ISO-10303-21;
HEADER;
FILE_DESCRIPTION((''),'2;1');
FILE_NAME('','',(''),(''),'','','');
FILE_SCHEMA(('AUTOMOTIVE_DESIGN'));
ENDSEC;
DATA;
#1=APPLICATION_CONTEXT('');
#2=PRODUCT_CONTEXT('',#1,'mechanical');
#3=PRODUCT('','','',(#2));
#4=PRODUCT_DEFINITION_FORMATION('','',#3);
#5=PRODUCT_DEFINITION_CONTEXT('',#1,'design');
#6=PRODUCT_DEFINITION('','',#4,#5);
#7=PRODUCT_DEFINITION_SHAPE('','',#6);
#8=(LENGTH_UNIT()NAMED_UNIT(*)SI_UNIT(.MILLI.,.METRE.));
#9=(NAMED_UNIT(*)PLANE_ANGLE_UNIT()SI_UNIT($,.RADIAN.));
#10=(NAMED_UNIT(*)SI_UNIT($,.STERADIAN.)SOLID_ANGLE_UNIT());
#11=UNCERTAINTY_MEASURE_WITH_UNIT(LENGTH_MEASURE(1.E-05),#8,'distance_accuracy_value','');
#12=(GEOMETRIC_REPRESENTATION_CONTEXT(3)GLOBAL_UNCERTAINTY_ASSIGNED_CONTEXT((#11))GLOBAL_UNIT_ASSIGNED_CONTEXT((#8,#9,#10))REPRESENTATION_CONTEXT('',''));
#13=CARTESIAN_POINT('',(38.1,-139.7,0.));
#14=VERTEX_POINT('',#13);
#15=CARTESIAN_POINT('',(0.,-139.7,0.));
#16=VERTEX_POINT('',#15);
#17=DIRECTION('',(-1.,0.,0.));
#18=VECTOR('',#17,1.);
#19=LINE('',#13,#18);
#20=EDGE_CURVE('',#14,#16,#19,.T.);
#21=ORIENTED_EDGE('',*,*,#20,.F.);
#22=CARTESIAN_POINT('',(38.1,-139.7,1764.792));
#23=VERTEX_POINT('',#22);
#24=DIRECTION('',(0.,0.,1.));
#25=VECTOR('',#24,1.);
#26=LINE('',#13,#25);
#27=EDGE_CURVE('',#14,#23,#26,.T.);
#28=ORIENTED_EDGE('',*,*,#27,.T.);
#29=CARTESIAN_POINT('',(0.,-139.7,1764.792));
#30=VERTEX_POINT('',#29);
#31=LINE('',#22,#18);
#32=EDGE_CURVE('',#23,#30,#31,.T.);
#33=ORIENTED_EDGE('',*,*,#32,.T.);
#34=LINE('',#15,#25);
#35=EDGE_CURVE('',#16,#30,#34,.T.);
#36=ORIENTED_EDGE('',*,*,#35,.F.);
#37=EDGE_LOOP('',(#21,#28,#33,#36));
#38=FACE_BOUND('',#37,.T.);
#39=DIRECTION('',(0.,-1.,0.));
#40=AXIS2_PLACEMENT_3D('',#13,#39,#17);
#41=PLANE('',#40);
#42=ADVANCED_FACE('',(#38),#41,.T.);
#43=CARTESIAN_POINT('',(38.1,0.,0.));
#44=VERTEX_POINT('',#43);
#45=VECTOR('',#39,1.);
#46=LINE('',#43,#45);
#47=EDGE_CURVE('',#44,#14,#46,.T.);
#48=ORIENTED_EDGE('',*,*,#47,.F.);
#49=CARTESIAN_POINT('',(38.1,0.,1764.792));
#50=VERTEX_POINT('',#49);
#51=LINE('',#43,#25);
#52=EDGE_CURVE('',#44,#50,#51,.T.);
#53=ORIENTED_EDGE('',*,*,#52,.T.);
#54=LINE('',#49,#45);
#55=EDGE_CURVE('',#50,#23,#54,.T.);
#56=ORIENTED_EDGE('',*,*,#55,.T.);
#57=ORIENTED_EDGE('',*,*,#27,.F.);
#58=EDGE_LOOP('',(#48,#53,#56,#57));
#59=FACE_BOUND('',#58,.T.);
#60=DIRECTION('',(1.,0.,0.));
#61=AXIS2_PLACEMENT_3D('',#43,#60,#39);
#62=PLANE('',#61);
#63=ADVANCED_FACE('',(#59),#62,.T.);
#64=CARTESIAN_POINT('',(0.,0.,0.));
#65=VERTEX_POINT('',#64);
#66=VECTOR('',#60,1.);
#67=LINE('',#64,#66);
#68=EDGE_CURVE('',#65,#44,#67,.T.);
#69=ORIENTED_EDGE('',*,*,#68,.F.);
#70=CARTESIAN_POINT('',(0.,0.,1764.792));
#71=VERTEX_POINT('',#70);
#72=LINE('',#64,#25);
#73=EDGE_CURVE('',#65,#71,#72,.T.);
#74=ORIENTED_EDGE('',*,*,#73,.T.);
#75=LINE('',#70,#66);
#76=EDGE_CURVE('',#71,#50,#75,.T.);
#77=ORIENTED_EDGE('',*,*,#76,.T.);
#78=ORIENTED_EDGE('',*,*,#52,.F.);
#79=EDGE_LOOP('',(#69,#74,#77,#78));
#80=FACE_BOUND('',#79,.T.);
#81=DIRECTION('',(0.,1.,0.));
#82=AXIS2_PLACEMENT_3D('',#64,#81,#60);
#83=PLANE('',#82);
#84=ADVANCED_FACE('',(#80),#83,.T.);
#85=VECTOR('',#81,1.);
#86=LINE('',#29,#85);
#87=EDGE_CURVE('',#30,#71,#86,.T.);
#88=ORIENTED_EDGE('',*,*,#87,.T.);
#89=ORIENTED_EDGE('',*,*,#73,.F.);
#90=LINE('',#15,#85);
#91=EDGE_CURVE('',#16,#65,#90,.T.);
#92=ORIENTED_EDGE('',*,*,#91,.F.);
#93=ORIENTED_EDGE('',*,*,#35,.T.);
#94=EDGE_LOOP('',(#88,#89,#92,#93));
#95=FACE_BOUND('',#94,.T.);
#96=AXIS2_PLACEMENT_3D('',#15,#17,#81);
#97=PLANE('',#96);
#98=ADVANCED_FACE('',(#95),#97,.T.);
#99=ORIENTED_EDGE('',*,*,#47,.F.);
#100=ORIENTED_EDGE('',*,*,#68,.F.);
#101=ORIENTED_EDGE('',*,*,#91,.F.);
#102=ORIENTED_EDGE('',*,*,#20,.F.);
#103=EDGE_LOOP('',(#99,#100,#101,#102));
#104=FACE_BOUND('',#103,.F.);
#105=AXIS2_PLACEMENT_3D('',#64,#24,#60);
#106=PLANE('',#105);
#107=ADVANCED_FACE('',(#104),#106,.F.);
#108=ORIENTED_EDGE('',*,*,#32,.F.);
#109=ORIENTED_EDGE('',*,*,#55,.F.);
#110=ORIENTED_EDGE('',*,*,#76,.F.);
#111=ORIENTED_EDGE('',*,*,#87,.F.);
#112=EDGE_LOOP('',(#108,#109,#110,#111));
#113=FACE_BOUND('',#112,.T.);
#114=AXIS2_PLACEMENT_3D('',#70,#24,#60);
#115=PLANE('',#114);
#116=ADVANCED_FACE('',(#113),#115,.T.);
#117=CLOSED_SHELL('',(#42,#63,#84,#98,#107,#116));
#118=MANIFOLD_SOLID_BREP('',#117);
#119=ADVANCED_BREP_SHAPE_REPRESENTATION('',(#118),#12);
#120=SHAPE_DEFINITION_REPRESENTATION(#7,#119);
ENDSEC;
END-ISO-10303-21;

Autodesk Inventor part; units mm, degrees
ref_plane "YZ Plane" through (0, 0, 0) normal (1, 0, 0) x (0, 1, 0)
ref_plane "XZ Plane" through (0, 0, 0) normal (0, 1, 0) x (-1, 0, 0)
ref_plane "XY Plane" through (0, 0, 0) normal (0, 0, 1) x (1, 0, 0)
sketch "Sketch1" plane through (0, 0, 0) normal (0, 0, 1) x (1, 0, 0)
  line L0 (0, 0) -> (38.1, 0)
  line L1 (38.1, 0) -> (38.1, -139.7)
  line L2 (38.1, -139.7) -> (0, -139.7)
  line L3 (0, -139.7) -> (0, 0)
  dimension "d0" = 38.1
  dimension "d1" = 139.7
extrude "Extrusion1" add sketch "Sketch1" along normal blind 1764.792
properties part number "Cross Board" material "Wood (Birch)"
